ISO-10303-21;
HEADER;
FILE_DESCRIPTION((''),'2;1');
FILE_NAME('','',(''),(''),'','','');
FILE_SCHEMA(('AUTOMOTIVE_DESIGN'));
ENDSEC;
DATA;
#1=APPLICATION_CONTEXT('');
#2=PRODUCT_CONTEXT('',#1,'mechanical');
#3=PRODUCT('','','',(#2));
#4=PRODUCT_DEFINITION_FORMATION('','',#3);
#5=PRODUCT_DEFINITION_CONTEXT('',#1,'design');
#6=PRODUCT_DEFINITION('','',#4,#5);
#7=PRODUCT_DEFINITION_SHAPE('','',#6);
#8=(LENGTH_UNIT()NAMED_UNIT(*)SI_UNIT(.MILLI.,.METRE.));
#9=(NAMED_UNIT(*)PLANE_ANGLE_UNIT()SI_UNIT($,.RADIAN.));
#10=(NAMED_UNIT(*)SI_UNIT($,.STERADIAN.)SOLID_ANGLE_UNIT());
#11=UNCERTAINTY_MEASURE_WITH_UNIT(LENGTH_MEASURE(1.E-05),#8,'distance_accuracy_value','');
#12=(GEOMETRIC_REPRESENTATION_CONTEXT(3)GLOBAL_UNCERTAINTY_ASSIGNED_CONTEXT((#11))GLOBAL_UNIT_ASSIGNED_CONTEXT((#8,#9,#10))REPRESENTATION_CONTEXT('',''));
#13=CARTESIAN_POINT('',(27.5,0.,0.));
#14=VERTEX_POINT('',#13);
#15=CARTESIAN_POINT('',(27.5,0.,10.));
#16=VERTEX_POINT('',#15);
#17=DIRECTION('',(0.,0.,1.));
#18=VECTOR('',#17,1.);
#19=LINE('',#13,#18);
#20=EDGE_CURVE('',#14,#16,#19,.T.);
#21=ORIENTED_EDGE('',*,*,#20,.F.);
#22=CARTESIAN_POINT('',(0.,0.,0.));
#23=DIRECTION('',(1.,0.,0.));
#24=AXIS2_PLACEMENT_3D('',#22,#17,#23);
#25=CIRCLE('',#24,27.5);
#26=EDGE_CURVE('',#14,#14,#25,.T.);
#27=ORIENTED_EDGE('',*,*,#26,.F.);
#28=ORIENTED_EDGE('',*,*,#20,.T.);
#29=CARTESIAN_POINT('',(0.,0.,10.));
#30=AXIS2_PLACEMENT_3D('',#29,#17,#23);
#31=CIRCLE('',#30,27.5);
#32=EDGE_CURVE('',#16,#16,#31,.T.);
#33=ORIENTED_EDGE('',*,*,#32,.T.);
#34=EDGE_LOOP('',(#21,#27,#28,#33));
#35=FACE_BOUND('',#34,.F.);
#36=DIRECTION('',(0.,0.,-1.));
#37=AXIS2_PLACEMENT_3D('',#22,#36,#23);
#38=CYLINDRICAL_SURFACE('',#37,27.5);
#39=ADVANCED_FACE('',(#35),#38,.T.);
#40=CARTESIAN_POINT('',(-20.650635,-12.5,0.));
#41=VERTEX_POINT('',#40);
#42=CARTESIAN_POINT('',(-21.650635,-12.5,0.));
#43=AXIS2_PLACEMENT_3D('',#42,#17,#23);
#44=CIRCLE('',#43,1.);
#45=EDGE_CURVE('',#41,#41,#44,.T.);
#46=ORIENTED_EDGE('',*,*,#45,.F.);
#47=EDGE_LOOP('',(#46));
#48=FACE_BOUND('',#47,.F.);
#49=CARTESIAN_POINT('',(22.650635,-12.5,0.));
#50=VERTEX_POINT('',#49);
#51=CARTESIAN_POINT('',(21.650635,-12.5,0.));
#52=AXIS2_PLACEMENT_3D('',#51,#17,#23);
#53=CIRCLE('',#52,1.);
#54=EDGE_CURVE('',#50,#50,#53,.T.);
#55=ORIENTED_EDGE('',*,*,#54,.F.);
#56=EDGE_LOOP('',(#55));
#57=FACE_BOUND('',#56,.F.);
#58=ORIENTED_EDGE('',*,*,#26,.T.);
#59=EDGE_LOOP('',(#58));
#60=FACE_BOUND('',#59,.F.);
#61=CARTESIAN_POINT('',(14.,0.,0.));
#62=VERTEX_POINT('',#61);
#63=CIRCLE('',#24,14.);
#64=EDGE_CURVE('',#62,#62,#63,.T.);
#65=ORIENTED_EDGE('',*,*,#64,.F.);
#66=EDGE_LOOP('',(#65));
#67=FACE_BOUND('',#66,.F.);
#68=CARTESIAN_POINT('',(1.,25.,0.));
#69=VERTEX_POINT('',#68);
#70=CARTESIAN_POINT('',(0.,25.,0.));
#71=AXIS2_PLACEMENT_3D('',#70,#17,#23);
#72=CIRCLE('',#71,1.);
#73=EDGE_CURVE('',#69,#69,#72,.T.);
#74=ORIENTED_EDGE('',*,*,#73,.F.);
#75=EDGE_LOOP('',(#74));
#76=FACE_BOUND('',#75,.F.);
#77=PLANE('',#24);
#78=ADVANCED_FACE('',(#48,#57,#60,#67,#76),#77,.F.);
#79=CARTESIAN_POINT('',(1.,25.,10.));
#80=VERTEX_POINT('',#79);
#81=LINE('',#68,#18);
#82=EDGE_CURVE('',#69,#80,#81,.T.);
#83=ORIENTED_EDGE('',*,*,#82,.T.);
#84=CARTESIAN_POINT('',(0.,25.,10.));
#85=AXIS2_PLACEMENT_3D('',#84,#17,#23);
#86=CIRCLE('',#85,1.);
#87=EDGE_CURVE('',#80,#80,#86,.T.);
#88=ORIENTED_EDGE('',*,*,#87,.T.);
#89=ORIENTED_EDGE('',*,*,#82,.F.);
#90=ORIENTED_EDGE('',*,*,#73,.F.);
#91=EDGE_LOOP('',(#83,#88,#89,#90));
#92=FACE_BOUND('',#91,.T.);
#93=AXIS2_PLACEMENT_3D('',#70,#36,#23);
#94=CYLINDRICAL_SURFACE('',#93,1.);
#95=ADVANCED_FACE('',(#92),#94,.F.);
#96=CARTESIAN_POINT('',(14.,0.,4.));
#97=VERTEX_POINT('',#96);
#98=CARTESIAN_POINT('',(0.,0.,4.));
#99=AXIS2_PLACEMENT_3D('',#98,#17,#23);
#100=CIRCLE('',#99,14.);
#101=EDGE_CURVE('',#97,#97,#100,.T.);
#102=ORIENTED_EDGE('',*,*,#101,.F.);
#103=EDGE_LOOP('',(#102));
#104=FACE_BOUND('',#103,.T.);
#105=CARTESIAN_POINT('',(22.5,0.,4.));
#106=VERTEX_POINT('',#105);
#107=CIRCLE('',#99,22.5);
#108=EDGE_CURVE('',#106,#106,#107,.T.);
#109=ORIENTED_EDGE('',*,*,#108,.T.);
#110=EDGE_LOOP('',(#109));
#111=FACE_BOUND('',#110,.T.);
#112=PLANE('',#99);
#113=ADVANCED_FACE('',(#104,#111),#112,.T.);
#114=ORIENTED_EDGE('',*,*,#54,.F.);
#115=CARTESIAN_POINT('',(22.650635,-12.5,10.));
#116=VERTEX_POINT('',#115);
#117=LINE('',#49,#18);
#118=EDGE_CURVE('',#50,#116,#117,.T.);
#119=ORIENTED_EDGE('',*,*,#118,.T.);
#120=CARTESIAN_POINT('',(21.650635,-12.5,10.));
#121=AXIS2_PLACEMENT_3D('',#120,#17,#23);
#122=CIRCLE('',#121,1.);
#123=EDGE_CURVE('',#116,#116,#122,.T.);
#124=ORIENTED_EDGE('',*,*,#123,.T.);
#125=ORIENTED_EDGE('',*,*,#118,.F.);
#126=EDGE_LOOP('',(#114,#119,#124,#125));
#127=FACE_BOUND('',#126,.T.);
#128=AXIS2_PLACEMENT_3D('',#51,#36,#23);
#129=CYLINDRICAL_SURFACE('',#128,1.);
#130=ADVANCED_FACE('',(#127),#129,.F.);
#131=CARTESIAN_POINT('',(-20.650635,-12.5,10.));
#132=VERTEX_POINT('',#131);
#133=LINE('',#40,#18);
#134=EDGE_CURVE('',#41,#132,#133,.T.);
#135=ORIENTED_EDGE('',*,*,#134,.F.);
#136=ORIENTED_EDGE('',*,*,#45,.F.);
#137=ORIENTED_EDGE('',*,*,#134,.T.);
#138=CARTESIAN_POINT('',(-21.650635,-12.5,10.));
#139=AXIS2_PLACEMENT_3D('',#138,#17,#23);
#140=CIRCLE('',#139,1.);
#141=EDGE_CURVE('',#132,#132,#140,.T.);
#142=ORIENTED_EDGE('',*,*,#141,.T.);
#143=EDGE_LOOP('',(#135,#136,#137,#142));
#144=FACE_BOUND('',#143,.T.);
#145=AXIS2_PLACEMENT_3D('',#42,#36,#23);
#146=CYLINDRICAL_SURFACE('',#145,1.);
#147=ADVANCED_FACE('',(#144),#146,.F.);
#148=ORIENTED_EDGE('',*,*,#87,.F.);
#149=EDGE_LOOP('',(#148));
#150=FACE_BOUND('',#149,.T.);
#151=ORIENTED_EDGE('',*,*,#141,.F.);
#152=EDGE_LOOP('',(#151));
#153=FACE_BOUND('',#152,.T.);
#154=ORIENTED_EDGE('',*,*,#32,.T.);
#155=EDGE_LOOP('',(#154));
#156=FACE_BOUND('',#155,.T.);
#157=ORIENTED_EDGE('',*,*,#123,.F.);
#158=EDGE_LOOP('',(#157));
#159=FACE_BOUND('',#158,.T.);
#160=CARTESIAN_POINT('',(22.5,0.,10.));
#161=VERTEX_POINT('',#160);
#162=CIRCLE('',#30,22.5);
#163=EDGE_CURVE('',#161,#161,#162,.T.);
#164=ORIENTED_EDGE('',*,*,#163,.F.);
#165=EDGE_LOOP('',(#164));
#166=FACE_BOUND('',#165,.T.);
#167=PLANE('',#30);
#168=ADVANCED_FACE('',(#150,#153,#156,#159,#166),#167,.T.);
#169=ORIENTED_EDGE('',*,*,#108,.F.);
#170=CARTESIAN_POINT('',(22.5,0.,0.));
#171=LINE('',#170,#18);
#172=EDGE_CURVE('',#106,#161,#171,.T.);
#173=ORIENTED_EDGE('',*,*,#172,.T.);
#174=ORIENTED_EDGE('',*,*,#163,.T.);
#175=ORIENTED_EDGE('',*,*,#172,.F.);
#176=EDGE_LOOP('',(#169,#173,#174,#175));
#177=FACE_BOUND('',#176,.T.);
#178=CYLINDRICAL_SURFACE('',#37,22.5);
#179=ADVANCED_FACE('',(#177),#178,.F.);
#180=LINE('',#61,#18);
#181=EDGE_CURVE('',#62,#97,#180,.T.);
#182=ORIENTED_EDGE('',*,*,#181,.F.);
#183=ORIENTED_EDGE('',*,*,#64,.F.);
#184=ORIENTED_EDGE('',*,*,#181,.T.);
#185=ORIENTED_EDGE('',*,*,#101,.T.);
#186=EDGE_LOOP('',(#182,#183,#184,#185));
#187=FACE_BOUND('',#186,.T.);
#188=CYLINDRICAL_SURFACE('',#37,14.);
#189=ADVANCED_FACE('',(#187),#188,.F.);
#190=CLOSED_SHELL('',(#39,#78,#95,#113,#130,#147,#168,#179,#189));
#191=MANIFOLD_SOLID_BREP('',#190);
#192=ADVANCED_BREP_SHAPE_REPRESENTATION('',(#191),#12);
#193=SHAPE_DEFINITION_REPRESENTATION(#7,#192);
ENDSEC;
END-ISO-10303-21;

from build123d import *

# Parameters (mm, degrees)
SKETCH_R      = 27.5
SKETCH_R_2    = 22.5
SKETCH_R_3    = 1
PAD_DEPTH     = 10
SKETCH001_R   = 22.5
SKETCH001_R_2 = 14
PAD001_DEPTH  = 4


with BuildPart() as part:
    # Sketch → Pad (new body)
    with BuildSketch(Plane.XY):
        Circle(SKETCH_R)
        Circle(SKETCH_R_2, mode=Mode.SUBTRACT)
        with Locations((0, 25)):
            Circle(SKETCH_R_3, mode=Mode.SUBTRACT)
        with Locations((-21.650635, -12.5)):
            Circle(SKETCH_R_3, mode=Mode.SUBTRACT)
        with Locations((21.650635, -12.5)):
            Circle(SKETCH_R_3, mode=Mode.SUBTRACT)
    extrude(amount=PAD_DEPTH)

    # Sketch001 → Pad001 (join)
    with BuildSketch(Plane.XY):
        Circle(SKETCH001_R)
        Circle(SKETCH001_R_2, mode=Mode.SUBTRACT)
    extrude(amount=PAD001_DEPTH)


solid = part.part
